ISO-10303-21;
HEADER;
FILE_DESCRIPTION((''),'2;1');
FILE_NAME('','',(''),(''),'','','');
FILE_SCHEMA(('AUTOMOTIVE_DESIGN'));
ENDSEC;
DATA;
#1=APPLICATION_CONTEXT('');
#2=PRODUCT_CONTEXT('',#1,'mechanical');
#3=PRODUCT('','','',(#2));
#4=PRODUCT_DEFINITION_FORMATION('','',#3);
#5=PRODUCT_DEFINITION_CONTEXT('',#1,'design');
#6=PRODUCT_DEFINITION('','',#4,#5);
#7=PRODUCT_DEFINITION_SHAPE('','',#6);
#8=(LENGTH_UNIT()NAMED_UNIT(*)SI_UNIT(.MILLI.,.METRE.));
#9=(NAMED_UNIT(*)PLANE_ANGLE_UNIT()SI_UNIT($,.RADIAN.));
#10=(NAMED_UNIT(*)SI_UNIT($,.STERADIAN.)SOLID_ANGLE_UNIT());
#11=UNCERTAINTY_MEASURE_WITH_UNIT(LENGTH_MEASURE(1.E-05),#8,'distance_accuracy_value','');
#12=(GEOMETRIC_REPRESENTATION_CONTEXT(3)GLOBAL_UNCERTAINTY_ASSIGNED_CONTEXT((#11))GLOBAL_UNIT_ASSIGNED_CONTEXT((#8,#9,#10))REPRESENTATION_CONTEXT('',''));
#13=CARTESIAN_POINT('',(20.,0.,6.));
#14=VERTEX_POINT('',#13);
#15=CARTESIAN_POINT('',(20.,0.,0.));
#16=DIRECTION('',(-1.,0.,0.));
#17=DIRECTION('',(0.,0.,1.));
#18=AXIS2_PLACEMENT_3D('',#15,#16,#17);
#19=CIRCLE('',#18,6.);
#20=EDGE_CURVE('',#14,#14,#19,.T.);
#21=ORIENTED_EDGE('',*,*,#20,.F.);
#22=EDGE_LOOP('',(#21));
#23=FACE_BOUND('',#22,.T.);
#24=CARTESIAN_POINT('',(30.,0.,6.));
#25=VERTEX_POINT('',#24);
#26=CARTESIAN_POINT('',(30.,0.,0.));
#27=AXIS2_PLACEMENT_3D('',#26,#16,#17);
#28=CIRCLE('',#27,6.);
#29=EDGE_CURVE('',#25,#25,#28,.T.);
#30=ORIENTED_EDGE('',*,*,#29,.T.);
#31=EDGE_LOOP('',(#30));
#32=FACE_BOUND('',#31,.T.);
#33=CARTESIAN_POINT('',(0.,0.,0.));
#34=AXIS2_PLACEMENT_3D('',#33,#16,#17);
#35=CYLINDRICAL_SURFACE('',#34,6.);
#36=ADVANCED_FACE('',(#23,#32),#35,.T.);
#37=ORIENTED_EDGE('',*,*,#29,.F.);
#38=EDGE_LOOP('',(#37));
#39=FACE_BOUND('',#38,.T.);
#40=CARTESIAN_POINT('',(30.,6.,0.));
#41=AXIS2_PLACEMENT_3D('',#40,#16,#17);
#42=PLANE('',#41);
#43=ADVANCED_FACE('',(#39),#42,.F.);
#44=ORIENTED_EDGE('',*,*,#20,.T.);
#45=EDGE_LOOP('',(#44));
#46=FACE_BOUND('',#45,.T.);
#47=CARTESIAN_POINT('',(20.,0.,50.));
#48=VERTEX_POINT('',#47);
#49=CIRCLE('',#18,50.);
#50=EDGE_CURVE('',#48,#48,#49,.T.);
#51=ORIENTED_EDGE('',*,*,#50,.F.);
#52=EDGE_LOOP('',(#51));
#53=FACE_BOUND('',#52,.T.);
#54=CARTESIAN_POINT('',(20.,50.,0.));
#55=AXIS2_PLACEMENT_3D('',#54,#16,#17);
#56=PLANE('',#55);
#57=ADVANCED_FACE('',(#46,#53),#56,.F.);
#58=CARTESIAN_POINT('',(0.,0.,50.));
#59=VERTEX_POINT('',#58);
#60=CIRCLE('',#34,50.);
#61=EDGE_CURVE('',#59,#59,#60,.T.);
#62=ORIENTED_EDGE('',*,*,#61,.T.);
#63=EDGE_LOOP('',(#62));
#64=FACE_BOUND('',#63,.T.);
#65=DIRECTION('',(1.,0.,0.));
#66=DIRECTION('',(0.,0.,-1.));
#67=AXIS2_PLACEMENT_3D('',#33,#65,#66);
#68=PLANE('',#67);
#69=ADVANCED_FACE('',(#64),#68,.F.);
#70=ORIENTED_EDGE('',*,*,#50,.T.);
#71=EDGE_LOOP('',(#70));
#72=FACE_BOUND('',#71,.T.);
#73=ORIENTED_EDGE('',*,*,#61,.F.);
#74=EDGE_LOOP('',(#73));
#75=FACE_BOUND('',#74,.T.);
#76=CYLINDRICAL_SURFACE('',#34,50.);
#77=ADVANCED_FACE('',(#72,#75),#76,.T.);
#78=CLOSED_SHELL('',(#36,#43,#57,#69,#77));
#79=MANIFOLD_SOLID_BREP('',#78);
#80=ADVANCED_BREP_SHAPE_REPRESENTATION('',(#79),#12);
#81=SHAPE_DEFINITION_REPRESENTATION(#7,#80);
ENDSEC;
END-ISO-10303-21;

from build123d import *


with BuildPart() as part:
    # Esboço1 → Revolução1 (revolve)
    with BuildSketch(Plane.XY):
        Polygon((0, 0), (0, 50), (20, 50), (20, 6), (30, 6), (30, 0), align=None)
    revolve(axis=Axis((0, 0, 0), (1, 0, 0)))


solid = part.part
